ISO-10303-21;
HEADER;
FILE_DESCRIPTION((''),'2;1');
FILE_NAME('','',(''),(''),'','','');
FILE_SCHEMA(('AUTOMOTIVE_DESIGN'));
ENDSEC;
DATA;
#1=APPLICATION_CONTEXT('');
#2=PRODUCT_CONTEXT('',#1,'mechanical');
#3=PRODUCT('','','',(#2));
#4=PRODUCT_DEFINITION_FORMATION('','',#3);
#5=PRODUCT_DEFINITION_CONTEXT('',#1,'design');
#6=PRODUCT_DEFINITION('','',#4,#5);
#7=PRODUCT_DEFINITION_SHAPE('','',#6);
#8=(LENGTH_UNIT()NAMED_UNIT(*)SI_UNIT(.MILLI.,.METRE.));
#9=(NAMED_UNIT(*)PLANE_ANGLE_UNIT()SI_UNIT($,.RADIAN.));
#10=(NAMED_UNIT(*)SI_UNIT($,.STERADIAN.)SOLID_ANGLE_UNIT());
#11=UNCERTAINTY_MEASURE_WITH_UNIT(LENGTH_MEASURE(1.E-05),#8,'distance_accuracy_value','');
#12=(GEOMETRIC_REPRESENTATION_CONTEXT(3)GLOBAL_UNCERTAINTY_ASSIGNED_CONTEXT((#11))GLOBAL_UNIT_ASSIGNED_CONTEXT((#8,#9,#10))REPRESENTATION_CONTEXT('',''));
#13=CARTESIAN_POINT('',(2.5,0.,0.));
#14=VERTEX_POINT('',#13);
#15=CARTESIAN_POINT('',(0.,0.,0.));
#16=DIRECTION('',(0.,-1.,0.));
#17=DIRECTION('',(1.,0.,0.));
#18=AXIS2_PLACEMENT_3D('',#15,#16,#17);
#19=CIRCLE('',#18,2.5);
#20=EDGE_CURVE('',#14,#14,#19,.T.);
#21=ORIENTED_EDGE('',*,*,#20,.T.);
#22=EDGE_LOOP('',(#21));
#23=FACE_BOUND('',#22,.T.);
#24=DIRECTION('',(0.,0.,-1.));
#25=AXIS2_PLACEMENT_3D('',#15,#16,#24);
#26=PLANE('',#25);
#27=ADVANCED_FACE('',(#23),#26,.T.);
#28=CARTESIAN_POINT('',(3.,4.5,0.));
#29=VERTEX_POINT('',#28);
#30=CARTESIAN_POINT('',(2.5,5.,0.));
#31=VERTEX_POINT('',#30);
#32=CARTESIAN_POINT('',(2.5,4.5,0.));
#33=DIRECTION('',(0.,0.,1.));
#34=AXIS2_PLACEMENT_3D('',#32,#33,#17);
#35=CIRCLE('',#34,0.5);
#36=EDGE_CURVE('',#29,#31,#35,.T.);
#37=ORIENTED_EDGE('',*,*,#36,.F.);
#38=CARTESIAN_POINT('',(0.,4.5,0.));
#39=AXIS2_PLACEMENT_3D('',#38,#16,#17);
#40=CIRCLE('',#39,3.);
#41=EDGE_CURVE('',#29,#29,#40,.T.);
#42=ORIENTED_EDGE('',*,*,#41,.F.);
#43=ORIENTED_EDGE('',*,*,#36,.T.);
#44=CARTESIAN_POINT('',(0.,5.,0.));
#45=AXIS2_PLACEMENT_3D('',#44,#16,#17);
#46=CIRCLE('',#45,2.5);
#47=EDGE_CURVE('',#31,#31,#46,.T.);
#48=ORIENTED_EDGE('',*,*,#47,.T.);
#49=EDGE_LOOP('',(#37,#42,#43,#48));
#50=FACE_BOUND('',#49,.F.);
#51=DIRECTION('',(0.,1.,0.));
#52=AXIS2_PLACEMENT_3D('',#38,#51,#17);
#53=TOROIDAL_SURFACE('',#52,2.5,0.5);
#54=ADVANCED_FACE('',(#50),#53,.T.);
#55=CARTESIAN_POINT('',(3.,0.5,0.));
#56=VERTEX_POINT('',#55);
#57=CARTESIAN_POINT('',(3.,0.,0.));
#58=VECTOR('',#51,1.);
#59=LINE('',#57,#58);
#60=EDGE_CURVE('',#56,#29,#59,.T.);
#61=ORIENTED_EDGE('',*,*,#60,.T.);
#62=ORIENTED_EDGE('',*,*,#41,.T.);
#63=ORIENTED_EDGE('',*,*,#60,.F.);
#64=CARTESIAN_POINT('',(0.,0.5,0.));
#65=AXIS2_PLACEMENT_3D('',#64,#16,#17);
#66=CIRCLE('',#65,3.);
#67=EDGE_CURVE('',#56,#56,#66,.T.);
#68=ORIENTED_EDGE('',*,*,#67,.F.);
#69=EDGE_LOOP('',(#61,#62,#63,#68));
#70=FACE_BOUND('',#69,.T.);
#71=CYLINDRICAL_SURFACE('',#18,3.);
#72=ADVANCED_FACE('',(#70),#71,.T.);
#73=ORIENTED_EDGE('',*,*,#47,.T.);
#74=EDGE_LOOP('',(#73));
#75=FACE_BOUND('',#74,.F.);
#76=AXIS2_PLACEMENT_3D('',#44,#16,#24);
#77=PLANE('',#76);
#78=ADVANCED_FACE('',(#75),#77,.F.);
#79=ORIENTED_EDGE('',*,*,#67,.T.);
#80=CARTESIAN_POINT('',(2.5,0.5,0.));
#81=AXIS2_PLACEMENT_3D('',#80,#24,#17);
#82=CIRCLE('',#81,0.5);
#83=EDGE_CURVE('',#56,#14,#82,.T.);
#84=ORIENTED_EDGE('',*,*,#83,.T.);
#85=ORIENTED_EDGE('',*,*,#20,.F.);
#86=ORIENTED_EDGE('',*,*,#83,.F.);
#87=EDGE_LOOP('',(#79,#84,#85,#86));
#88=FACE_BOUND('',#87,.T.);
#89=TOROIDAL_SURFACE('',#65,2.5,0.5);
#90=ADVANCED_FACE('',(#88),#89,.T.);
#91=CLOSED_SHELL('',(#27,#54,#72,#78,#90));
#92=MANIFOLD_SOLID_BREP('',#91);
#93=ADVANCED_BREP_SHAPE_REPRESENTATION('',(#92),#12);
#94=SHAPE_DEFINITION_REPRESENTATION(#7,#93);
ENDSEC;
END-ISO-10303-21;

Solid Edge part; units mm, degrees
sketch "Sketch1" plane through (0, 0, 0) normal (0, -1, 0) x (1, 0, 0)
  circle A0 centre (0, 0) radius 3
  dimension "D1" = 6
extrude "Protrusion1" add sketch "Sketch1" against normal blind 5
fillet "Verrundung_1" radius 0.5 2 edges at (-3, 0, 0) (-3, 5, 0)
